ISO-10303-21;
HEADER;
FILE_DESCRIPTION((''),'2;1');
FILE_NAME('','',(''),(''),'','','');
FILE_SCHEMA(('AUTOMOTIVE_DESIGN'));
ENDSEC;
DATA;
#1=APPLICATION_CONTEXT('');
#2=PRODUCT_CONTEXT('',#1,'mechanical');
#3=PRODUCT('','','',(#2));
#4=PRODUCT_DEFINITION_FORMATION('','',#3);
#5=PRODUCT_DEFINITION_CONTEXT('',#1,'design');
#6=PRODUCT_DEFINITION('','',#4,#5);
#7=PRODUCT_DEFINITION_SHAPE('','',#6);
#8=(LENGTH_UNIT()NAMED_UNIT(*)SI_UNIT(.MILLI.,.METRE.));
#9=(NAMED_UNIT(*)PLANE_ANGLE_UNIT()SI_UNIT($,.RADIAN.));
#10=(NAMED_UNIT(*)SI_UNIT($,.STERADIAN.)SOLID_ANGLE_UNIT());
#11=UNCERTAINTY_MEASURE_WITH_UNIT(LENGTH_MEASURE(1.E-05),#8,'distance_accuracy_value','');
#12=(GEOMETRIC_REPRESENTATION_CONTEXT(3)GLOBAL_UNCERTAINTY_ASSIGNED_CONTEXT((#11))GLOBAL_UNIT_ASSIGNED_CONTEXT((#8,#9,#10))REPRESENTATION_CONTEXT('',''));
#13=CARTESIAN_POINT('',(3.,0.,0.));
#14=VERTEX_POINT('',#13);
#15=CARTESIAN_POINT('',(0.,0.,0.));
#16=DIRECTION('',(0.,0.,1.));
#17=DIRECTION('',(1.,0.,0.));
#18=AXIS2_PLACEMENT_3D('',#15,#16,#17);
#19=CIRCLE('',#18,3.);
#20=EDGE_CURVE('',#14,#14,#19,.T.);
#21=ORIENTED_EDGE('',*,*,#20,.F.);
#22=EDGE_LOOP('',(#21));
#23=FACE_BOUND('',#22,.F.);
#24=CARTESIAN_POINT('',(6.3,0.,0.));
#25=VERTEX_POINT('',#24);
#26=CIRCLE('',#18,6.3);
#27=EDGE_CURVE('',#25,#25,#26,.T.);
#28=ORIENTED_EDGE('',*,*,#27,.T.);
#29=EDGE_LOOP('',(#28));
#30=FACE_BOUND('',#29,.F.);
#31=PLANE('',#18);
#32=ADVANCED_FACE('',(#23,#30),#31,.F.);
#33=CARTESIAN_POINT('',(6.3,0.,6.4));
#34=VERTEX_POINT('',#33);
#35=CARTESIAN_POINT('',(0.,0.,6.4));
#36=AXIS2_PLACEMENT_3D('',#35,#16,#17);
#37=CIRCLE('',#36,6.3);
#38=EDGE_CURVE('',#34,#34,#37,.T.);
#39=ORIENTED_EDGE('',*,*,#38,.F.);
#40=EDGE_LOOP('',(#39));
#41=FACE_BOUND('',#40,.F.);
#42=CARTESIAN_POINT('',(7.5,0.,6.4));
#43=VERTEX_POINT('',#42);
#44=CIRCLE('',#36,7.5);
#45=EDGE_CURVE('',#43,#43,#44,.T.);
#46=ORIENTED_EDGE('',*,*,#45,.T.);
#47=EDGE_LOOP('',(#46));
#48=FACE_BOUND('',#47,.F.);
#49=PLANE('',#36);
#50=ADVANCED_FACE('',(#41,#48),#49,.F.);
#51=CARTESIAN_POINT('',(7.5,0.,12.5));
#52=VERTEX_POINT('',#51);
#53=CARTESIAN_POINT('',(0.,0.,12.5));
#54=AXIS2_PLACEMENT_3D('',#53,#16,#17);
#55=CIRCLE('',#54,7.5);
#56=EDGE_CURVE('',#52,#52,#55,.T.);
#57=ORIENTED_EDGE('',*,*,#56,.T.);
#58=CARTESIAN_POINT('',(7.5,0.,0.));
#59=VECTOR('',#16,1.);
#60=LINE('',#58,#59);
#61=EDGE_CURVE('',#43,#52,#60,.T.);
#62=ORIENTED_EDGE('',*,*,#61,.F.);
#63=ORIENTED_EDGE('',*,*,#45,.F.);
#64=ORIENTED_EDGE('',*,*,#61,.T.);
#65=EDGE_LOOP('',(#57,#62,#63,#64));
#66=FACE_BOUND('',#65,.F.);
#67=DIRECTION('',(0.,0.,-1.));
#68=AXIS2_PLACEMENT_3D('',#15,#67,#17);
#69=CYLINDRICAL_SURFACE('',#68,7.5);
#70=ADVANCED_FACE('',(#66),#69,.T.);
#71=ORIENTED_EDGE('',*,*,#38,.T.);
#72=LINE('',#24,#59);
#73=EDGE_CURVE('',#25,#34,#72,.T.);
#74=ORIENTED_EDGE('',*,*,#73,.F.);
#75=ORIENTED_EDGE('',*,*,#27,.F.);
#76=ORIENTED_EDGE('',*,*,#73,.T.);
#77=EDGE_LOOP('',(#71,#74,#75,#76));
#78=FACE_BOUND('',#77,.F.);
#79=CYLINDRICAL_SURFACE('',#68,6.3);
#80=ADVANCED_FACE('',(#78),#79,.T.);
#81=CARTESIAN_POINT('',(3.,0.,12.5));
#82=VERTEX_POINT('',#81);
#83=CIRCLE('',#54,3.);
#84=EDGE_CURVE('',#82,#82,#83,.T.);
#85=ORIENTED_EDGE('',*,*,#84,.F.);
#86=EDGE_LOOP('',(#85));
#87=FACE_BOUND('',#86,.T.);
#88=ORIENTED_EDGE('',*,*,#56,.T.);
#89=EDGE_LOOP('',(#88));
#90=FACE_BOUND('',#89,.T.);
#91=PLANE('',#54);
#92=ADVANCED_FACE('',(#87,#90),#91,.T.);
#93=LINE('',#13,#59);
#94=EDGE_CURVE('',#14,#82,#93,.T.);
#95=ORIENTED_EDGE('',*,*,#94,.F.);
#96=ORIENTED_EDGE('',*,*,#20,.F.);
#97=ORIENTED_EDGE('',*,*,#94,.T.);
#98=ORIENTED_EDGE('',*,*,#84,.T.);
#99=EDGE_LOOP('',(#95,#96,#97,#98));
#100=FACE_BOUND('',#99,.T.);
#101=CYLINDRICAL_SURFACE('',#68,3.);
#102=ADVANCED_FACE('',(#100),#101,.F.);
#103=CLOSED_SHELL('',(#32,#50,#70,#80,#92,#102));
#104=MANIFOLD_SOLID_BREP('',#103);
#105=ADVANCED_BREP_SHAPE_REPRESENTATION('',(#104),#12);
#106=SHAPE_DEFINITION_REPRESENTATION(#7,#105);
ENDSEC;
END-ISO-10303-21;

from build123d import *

# Parameters (mm, degrees)
F0_R     = 7.5
F0_R_2   = 3
F1_DEPTH = 12.5
F2_R     = 7.5
F2_R_2   = 6.3
F3_DEPTH = 6.4


with BuildPart() as f1:
    # F0 (on Top) → F1 (new body)
    with BuildSketch(Plane.XY):
        Circle(F0_R)
        Circle(F0_R_2, mode=Mode.SUBTRACT)
    extrude(amount=F1_DEPTH)

    # F2 (on Top) → F3 (cut)
    with BuildSketch(Plane.XY):
        Circle(F2_R)
        Circle(F2_R_2, mode=Mode.SUBTRACT)
    extrude(amount=F3_DEPTH, mode=Mode.SUBTRACT)


solid = f1.part
